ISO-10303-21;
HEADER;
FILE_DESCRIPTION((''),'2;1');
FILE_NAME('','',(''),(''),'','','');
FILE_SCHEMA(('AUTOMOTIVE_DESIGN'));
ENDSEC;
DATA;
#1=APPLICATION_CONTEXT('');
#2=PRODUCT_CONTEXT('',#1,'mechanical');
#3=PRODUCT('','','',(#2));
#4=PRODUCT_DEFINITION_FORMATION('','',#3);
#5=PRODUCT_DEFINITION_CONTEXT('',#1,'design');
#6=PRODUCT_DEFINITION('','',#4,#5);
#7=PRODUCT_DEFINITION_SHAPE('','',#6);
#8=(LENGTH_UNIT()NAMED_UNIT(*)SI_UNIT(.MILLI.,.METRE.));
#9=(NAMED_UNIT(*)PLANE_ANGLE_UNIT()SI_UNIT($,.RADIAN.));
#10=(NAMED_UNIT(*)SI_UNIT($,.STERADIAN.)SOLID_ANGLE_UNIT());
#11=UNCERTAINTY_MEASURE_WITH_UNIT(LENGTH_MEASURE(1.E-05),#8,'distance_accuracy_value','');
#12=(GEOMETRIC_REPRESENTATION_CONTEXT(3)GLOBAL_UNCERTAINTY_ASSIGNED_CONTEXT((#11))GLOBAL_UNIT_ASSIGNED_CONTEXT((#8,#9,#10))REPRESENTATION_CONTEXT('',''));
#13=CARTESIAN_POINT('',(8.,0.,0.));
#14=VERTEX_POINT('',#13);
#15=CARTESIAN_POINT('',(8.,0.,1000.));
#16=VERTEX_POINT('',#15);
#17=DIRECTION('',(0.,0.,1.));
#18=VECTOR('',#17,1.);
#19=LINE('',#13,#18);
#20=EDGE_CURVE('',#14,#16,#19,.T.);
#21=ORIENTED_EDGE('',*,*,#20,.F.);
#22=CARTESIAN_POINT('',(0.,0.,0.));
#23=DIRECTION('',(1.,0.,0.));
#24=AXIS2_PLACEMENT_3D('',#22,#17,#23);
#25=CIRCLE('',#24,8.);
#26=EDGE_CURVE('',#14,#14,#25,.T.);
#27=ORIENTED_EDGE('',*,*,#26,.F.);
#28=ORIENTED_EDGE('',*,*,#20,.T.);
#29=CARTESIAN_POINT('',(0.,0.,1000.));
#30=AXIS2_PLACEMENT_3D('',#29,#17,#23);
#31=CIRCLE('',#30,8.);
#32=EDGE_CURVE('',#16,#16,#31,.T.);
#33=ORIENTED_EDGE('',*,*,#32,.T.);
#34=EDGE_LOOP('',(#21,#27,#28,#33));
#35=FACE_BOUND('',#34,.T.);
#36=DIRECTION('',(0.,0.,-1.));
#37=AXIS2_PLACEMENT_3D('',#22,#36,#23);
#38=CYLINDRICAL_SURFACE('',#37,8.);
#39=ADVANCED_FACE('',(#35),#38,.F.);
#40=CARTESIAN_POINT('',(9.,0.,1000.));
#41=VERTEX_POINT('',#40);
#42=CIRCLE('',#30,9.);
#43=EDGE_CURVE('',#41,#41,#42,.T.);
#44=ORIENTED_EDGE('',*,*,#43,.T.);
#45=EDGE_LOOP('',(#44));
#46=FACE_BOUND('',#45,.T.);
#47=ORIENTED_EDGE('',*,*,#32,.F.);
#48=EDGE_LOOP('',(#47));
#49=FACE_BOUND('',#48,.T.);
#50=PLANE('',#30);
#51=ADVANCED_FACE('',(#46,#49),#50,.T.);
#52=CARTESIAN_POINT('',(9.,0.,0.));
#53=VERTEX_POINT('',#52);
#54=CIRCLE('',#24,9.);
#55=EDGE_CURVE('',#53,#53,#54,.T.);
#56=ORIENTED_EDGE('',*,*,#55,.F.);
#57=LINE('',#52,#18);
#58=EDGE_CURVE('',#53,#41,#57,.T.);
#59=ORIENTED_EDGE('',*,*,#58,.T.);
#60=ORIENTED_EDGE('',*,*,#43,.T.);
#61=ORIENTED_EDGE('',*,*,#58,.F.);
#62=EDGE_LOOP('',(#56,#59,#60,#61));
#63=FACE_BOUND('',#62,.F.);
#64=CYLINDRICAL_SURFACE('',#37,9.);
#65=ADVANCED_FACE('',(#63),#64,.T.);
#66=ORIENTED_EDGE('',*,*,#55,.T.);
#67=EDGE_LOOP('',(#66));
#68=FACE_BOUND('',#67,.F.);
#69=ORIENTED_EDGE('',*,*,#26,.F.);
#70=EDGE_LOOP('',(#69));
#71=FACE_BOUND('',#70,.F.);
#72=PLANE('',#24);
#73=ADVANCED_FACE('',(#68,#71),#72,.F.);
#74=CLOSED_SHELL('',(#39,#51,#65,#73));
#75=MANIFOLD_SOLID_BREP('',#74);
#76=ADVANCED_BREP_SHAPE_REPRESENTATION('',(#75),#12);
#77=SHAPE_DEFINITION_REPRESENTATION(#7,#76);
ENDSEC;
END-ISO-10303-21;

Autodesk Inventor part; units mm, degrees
ref_plane "YZ Plane" through (0, 0, 0) normal (1, 0, 0) x (0, 1, 0)
ref_plane "XZ Plane" through (0, 0, 0) normal (0, 1, 0) x (-1, 0, 0)
ref_plane "XY Plane" through (0, 0, 0) normal (0, 0, 1) x (1, 0, 0)
sketch "Skizze1" plane through (0, 0, 0) normal (0, 0, 1) x (1, 0, 0)
  circle A0 centre (0, 0) radius 8
  circle A1 centre (0, 0) radius 9
  dimension "d0" = 16
  dimension "d1" = 18
extrude "Extrusion1" add sketch "Skizze1" along normal blind 1000
properties part number "1mTube"
